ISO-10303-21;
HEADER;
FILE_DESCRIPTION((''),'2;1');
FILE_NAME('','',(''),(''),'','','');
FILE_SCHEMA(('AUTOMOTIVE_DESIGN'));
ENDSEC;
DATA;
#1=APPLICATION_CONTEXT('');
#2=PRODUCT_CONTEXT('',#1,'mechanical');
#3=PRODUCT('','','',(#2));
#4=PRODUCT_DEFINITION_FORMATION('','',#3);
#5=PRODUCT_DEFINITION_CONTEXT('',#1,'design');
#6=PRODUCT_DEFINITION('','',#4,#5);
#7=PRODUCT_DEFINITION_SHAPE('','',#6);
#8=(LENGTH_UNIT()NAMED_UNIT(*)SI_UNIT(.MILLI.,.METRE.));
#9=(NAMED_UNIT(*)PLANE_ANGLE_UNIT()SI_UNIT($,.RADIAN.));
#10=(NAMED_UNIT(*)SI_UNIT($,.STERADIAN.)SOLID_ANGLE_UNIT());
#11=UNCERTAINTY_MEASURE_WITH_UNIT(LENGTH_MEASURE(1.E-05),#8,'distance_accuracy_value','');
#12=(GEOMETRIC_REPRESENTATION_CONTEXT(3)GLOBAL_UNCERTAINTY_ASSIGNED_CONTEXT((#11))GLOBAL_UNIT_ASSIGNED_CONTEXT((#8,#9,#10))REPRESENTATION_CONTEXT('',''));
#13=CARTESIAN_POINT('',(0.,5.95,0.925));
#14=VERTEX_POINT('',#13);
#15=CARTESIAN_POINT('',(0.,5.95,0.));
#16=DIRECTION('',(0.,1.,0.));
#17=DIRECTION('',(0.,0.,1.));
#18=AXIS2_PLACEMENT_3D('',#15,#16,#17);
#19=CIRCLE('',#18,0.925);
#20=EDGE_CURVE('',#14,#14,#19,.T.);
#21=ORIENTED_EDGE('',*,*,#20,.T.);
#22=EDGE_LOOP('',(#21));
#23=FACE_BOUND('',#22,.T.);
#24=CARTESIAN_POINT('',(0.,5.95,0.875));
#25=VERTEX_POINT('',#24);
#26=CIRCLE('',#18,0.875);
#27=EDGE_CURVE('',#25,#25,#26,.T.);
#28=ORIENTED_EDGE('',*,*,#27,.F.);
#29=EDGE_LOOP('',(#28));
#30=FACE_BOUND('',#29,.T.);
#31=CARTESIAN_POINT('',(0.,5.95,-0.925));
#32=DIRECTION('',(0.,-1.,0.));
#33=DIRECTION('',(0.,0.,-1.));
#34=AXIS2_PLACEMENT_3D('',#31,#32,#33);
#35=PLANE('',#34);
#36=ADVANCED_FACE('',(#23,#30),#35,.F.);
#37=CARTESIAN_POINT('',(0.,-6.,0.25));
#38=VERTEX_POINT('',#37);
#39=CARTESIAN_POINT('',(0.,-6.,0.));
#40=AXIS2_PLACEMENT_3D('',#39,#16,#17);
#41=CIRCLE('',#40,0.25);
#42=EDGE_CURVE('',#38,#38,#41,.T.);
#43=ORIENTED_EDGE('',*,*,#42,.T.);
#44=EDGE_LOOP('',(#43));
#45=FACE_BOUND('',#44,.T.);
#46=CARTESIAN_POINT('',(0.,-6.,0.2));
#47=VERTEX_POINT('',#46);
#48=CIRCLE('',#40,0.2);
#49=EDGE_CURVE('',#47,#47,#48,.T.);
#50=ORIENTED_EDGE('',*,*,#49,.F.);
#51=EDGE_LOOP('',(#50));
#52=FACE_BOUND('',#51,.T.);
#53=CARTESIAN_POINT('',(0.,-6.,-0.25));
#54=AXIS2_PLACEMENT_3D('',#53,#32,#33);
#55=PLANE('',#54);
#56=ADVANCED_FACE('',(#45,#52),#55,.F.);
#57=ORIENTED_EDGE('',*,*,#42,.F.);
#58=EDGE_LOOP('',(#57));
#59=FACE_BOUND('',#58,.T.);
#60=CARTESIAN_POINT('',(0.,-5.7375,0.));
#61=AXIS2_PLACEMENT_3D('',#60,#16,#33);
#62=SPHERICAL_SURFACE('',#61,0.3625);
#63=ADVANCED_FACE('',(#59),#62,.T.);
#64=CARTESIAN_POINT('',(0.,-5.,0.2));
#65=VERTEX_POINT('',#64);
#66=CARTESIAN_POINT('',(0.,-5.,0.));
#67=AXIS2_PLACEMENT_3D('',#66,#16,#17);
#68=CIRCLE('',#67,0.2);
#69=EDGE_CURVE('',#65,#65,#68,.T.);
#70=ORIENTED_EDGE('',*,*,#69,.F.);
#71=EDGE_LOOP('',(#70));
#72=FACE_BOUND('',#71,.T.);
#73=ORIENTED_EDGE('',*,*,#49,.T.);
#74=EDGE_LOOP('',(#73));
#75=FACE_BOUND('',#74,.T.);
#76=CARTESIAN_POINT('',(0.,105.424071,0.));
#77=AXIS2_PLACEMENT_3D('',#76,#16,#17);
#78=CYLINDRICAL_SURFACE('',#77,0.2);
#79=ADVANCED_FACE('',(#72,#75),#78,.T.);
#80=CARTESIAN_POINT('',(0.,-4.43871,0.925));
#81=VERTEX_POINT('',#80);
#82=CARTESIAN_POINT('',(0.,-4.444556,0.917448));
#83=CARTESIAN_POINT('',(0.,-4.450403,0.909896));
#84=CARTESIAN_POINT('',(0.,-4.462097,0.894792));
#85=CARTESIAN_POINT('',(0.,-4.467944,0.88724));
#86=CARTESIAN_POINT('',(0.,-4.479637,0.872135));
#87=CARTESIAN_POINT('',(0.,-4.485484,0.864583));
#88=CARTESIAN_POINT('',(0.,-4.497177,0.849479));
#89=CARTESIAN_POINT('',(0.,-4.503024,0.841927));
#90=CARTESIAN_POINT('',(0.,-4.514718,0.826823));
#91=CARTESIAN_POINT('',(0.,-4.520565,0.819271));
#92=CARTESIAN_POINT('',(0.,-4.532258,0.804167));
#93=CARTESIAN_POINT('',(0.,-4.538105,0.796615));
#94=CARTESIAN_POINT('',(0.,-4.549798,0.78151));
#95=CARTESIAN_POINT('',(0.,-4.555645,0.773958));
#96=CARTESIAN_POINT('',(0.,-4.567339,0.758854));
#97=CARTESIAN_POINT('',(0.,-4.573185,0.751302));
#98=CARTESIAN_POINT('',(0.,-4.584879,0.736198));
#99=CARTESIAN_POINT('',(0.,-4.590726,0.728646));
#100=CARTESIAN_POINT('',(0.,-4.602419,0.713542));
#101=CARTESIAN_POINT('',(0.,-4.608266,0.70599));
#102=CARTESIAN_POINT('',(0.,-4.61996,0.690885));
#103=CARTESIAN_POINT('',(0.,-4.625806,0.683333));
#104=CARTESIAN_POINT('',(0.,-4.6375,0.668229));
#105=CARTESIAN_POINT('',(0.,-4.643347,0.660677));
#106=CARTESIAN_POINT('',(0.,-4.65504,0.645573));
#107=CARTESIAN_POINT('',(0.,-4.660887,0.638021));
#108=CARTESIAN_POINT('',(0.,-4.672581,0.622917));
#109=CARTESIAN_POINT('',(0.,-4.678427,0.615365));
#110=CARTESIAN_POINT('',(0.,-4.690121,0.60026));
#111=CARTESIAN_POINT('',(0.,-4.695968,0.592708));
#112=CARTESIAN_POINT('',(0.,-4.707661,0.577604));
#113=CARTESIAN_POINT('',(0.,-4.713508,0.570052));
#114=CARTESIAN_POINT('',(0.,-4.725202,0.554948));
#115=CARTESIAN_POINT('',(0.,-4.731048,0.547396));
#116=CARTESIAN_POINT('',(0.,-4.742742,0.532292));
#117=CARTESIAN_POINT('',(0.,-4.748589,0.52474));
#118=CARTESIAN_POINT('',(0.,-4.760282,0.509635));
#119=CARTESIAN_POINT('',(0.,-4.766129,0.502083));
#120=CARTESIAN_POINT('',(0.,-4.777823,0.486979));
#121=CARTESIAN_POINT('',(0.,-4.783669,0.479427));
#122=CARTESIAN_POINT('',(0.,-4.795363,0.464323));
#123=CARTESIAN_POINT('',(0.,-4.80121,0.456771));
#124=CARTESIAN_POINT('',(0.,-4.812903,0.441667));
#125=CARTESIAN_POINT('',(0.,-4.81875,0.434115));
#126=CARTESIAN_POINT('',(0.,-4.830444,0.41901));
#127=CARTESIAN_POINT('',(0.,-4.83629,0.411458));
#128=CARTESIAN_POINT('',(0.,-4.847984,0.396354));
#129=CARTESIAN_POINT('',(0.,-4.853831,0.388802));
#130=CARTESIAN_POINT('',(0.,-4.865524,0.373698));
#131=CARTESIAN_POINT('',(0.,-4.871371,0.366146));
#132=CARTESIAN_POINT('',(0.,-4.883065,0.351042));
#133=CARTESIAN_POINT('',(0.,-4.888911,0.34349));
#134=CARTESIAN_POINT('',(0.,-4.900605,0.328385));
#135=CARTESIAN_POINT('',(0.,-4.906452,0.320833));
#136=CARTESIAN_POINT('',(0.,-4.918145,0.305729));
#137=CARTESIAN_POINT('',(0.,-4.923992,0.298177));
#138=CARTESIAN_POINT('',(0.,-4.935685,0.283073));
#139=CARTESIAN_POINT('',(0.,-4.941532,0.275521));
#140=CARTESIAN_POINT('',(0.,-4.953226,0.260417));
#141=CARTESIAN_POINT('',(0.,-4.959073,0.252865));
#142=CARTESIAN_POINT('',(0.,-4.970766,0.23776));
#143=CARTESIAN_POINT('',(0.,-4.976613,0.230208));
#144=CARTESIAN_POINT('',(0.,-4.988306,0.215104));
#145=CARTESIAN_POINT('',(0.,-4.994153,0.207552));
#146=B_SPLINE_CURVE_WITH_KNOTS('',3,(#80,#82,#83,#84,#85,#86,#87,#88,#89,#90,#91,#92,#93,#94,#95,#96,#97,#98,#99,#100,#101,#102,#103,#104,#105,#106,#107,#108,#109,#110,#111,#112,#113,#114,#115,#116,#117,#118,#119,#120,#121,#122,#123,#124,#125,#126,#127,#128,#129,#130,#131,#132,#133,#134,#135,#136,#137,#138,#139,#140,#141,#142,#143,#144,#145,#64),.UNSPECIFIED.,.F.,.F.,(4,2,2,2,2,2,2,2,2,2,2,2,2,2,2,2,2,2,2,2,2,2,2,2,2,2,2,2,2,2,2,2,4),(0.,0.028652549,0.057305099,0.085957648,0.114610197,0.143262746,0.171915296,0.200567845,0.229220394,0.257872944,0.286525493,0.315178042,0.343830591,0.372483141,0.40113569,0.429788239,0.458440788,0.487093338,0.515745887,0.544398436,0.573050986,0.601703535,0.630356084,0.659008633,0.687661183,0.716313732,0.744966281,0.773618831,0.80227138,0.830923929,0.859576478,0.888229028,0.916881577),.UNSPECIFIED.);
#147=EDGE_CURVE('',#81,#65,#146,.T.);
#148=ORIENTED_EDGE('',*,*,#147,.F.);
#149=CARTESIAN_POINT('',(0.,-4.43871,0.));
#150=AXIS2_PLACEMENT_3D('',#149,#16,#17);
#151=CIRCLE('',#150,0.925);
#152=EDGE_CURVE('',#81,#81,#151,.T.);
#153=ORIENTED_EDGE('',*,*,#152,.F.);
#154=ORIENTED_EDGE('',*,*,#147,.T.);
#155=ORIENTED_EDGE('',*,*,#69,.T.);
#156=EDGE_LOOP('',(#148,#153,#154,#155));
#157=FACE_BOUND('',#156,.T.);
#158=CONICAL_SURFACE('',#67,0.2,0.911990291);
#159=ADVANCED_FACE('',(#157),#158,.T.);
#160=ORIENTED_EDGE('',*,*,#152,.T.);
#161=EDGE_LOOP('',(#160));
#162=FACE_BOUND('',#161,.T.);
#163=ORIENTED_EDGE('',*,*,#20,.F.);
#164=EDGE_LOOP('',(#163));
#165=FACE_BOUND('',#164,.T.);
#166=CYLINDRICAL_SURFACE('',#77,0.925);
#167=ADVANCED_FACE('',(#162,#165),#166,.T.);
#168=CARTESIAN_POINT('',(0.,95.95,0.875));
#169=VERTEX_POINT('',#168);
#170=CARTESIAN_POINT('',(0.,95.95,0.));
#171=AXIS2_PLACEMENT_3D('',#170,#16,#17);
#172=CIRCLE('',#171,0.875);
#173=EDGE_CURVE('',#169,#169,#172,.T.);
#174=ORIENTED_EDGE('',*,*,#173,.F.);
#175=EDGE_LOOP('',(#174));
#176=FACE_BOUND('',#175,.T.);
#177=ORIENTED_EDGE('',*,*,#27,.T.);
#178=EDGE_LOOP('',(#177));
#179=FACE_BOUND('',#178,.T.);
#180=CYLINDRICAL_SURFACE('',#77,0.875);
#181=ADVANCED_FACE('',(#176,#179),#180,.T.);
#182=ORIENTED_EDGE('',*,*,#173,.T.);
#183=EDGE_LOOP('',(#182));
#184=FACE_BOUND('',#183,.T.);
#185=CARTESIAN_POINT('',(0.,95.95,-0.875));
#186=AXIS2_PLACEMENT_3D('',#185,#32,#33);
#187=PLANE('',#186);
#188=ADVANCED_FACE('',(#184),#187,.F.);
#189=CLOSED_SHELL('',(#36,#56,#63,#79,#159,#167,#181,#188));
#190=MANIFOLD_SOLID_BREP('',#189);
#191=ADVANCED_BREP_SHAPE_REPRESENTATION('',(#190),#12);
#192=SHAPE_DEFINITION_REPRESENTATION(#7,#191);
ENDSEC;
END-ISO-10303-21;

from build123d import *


with BuildPart() as part:
    # Sketch2 → Revolve1 (revolve)
    with BuildSketch(Plane(origin=(0, 0, 0), x_dir=(0, 0, -1), z_dir=(1, 0, 0)), mode=Mode.PRIVATE) as revolve1_sk:
        with BuildLine():
            Line((0.925, -4.438709677), (0.925, 5.95))
            Line((0.925, 5.95), (0.875, 5.95))
            Line((0.875, 5.95), (0.875, 95.95))
            Line((0.875, 95.95), (0, 95.95))
            Line((0, 95.95), (0, -6.1))
            ThreePointArc((0, -6.1), (0.13462912, -6.0740728), (0.25, -6))
            Line((0.25, -6), (0.2, -6))
            Line((0.2, -6), (0.2, -5))
            Line((0.2, -5), (0.925, -4.438709677))
        make_face()
    revolve(revolve1_sk.sketch.rotate(Axis((0, 105.424070968, 0), (0, -1, 0)), 180), axis=Axis((0, 105.424070968, 0), (0, -1, 0)))


solid = part.part
